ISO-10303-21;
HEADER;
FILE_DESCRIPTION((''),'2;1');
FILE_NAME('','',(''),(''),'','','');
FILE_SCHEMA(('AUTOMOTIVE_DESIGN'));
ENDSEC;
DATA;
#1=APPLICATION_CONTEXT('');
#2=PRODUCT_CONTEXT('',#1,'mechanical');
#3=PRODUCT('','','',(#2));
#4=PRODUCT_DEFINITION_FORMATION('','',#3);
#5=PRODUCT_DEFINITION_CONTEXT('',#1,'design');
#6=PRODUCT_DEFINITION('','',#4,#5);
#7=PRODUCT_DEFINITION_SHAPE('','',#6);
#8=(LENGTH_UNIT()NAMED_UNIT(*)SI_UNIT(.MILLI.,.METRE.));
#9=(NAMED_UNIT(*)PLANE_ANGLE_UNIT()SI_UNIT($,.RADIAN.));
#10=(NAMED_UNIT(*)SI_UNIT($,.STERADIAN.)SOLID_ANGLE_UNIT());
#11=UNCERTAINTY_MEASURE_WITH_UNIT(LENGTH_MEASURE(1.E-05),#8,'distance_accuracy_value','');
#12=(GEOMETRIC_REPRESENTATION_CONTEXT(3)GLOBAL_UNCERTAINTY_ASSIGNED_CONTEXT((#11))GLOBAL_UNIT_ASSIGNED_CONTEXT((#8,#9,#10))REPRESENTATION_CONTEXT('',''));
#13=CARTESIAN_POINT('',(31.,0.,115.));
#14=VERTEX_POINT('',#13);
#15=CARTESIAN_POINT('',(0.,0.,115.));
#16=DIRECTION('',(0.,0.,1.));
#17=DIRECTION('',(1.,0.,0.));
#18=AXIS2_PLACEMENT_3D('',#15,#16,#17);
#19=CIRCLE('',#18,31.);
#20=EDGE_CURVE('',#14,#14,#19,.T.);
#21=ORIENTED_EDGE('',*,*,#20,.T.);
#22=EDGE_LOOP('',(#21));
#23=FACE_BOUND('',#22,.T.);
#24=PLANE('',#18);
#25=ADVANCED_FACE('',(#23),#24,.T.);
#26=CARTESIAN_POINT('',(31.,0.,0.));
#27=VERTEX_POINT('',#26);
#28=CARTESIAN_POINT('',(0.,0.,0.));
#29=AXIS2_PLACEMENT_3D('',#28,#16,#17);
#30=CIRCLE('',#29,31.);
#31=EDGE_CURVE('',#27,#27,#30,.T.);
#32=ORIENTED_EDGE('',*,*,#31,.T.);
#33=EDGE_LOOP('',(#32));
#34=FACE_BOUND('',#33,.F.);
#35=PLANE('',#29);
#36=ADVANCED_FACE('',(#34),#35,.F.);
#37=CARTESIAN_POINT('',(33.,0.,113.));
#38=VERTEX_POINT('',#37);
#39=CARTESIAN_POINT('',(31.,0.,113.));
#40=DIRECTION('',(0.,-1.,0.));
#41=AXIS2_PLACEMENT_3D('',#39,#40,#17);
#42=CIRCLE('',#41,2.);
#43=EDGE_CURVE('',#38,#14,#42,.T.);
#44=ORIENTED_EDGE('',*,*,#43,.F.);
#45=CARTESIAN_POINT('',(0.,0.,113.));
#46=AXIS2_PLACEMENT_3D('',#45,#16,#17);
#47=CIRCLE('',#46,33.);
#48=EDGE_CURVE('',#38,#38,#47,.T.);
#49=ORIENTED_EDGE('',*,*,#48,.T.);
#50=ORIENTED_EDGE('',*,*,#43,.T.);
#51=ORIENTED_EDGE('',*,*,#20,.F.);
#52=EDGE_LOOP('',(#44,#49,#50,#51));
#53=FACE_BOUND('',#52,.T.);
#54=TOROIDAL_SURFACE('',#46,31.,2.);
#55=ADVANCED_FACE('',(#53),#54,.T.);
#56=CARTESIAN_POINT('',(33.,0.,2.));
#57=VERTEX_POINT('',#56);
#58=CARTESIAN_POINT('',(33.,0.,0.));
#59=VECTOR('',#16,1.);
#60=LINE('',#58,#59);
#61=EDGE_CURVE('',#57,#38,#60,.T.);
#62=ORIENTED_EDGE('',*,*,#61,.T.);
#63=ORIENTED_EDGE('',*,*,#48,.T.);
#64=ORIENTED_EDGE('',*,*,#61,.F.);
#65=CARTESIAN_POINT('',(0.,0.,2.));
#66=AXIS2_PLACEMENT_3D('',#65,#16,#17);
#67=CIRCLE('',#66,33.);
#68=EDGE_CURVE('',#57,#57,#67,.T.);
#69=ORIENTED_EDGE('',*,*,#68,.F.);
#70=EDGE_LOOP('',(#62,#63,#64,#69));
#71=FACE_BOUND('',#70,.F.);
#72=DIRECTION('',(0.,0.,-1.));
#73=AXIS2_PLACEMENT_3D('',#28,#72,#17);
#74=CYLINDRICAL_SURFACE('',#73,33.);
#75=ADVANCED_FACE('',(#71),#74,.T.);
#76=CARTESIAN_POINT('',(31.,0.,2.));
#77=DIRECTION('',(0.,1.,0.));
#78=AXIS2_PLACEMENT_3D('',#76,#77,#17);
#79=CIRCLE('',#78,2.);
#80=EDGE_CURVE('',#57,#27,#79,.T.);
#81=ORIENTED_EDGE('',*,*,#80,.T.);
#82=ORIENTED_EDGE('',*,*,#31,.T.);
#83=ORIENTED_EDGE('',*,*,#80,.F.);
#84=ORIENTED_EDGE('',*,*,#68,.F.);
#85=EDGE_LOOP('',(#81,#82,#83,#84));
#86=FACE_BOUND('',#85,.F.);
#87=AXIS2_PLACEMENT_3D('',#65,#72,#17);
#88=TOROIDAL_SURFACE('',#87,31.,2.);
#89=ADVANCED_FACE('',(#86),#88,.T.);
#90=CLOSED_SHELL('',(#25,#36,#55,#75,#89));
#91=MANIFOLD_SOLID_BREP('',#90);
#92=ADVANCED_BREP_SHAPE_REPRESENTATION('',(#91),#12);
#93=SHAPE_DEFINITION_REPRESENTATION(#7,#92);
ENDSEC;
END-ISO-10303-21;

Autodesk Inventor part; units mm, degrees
ref_plane "YZ Plane" through (0, 0, 0) normal (1, 0, 0) x (0, 1, 0)
ref_plane "XZ Plane" through (0, 0, 0) normal (0, 1, 0) x (-1, 0, 0)
ref_plane "XY Plane" through (0, 0, 0) normal (0, 0, 1) x (1, 0, 0)
sketch "Szkic1" plane through (0, 0, 0) normal (0, 0, 1) x (1, 0, 0)
  circle A0 centre (0, 0) radius 33
  dimension "d0" = 66
extrude "Wyciągnięcie proste1" add sketch "Szkic1" along normal blind 115
fillet "Zaokrąglenie1" radius 2 2 edges at (-33, 0, 115) (-33, 0, 0)
